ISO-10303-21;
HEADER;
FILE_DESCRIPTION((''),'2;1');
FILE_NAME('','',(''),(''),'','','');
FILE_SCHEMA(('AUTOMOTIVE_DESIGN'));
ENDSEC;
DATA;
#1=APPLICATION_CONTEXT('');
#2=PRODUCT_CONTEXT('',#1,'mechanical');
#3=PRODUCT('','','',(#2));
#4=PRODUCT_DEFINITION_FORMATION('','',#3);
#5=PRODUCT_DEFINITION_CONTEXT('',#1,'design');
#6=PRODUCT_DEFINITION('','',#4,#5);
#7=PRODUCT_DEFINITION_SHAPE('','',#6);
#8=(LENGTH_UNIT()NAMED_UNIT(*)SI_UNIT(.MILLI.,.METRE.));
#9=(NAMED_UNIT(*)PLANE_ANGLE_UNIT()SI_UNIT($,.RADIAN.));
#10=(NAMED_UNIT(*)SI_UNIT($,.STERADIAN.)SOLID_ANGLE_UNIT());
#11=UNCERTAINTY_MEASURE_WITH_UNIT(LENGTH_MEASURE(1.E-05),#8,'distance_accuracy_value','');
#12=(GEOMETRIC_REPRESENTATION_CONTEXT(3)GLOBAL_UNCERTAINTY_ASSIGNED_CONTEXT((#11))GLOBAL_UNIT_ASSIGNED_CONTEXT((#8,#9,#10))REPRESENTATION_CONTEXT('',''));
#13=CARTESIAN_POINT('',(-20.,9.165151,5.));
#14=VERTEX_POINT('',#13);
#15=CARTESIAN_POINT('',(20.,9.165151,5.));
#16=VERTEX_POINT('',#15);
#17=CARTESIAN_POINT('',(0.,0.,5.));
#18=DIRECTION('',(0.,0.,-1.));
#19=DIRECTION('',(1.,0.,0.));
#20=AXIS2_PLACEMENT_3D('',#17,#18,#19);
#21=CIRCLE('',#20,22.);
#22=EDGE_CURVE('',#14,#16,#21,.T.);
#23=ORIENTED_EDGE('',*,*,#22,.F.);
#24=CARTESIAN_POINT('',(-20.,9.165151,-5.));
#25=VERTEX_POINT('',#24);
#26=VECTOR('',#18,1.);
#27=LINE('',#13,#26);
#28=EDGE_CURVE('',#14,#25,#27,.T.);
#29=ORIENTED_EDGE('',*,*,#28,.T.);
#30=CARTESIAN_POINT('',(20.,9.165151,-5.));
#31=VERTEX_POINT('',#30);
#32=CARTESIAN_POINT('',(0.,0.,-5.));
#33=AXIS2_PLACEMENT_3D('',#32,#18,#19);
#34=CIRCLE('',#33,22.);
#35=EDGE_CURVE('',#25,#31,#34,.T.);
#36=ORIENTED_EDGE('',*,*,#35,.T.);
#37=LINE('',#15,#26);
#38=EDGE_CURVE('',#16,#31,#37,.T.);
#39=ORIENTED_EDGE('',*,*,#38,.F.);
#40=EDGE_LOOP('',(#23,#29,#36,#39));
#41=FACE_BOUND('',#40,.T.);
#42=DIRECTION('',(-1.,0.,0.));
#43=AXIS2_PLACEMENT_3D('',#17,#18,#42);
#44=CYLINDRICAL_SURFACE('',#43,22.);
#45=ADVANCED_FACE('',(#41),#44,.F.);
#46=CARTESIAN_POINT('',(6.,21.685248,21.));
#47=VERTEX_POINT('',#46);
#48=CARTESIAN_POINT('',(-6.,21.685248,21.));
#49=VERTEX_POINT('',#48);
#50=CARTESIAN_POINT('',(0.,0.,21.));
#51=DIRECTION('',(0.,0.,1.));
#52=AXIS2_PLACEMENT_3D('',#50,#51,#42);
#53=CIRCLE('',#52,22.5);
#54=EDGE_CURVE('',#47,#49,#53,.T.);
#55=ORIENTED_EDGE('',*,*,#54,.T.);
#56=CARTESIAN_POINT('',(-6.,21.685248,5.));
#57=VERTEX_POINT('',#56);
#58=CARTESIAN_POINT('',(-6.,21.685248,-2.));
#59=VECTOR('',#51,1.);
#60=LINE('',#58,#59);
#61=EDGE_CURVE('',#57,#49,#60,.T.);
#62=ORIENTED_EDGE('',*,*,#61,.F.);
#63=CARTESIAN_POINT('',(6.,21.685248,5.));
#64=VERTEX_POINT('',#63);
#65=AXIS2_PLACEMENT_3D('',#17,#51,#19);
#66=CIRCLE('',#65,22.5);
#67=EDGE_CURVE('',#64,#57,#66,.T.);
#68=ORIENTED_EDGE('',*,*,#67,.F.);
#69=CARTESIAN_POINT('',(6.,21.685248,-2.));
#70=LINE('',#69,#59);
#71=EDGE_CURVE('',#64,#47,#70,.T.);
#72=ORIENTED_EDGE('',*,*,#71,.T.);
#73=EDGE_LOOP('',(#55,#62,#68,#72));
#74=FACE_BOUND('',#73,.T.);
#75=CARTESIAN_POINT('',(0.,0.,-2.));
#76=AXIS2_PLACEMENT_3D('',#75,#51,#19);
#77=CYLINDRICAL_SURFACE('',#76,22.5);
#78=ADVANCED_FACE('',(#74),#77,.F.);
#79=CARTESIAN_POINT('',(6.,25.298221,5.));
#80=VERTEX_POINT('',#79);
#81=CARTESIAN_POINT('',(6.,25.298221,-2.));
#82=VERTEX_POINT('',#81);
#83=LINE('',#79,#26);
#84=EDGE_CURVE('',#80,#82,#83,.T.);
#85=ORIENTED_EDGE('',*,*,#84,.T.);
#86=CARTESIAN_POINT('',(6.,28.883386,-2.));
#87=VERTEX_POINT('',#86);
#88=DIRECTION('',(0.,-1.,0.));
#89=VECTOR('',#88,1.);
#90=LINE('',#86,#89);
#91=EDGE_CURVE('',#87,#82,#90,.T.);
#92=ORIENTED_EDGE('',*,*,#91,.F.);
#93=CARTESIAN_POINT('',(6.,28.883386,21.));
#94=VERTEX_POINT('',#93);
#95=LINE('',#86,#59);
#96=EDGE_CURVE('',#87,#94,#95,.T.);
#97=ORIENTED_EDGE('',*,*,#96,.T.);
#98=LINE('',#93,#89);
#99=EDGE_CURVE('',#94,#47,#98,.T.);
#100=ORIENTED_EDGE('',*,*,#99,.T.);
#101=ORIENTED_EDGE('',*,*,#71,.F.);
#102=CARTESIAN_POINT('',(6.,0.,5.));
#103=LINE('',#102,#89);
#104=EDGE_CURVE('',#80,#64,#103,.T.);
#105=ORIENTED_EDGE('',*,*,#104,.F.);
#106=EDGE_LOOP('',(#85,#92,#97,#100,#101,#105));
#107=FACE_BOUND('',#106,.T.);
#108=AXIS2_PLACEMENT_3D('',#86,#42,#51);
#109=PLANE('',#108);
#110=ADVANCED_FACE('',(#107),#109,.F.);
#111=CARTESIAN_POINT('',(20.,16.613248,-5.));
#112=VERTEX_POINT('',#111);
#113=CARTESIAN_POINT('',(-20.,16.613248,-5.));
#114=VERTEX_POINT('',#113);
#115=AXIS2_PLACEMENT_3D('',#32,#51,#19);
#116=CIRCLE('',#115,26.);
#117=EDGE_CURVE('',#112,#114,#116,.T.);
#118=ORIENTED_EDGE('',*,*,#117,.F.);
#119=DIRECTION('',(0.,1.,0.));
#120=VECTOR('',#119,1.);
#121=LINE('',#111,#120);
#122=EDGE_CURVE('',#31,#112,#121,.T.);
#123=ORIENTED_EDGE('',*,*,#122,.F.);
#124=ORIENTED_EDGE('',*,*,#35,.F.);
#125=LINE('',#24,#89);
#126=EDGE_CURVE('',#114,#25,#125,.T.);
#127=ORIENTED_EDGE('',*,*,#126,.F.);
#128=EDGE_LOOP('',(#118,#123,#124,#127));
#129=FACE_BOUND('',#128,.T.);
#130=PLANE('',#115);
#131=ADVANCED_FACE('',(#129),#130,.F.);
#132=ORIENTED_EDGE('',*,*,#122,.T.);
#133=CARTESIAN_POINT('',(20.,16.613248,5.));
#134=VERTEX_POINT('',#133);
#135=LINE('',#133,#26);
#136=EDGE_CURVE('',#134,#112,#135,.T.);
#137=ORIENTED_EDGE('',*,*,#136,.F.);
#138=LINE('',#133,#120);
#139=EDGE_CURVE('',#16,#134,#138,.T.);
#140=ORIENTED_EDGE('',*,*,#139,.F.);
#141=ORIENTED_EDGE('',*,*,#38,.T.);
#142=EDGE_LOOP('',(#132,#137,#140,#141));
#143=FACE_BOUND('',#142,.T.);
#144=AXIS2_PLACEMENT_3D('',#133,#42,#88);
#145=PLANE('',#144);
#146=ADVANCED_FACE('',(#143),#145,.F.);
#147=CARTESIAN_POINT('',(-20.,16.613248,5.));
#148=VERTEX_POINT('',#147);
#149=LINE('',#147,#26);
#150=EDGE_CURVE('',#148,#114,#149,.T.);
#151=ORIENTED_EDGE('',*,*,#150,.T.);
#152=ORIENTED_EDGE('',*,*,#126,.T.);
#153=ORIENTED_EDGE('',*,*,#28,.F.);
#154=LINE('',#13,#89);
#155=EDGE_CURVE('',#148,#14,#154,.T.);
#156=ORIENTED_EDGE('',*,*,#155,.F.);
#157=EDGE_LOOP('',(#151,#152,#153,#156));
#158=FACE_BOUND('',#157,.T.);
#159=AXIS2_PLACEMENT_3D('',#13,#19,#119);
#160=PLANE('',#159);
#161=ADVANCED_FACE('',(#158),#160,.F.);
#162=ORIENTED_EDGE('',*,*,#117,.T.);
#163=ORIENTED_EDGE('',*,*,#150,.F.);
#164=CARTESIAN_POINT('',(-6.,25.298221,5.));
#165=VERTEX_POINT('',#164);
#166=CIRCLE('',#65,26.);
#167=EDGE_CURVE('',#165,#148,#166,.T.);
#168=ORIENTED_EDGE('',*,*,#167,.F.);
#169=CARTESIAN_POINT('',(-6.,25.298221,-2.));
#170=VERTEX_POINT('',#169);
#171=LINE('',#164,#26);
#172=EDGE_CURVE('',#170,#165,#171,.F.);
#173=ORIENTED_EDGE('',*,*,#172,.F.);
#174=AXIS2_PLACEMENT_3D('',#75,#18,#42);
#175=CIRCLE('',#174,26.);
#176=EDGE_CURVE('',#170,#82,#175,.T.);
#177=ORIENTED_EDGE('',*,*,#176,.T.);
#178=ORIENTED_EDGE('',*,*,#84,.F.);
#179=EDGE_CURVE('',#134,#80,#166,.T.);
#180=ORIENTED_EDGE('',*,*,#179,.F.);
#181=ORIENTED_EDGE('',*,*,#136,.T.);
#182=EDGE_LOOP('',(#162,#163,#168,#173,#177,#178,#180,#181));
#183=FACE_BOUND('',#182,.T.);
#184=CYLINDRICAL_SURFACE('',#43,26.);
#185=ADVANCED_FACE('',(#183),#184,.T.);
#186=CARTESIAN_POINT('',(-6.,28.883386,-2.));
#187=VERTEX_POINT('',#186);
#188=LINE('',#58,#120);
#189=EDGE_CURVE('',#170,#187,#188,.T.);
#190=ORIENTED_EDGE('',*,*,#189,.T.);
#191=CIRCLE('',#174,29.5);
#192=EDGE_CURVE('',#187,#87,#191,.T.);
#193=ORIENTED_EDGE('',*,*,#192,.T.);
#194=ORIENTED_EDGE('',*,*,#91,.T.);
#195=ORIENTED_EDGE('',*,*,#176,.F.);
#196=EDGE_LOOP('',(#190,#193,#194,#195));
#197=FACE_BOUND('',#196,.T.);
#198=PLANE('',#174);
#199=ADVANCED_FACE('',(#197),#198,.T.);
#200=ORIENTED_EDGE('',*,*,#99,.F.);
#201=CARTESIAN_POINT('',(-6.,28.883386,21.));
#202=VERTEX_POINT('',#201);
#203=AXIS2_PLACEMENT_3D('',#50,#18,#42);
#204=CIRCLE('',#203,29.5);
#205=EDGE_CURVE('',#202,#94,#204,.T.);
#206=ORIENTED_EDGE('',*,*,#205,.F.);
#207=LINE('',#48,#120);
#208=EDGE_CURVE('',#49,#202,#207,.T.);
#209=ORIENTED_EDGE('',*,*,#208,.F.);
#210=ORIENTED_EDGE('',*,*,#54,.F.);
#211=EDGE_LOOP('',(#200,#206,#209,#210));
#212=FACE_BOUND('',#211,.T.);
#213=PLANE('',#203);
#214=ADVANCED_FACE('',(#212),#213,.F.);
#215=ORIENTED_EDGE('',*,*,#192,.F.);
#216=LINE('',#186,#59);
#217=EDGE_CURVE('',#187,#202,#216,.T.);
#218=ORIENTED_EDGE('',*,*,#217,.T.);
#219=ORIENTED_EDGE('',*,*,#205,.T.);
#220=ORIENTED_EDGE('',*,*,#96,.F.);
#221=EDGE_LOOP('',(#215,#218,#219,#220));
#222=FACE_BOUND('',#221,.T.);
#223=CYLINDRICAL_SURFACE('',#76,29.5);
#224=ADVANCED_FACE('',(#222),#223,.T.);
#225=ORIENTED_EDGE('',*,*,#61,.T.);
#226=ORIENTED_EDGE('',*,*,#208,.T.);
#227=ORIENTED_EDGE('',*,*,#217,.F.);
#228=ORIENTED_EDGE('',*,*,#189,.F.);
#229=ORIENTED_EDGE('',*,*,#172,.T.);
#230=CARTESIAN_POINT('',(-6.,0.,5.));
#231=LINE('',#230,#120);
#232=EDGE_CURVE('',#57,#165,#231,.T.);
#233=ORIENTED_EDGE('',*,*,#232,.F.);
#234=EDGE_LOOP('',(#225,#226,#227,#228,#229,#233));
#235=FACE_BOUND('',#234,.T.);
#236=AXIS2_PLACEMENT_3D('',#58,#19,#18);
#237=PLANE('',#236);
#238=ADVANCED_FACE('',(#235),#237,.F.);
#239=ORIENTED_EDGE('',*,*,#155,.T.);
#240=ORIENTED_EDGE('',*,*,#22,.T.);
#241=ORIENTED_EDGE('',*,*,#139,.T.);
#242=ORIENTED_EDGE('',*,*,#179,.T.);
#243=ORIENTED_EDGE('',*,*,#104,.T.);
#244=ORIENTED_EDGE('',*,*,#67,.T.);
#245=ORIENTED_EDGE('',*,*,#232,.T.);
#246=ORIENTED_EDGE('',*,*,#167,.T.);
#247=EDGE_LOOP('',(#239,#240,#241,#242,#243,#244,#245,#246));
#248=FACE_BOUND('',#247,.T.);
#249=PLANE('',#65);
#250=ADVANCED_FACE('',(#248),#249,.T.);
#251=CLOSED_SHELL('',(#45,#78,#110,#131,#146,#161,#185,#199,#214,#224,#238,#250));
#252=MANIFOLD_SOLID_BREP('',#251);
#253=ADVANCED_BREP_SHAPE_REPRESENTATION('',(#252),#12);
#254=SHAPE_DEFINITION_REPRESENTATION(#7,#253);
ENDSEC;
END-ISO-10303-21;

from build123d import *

# Parameters (mm, degrees)
EXTRUDE1_DEPTH      = 5
EXTRUDE2_DEPTH      = 7
EXTRUDE2_DEPTH_BACK = 16


with BuildPart() as part:
    # Sketch1 → Extrude1 (new, symmetric)
    with BuildSketch(Plane.XY):
        with BuildLine():
            Line((-20, 9.16515139), (-20, 16.613247726))
            ThreePointArc((-20, 16.613247726), (0, 26), (20, 16.613247726))
            Line((20, 16.613247726), (20, 9.16515139))
            ThreePointArc((20, 9.16515139), (0, 22), (-20, 9.16515139))
        make_face()
    extrude(amount=EXTRUDE1_DEPTH, both=True)

    # Sketch2 → Extrude2 (add, two sides: drawn at the far end of the back side and taken through both)
    with BuildSketch(Plane(origin=(0, 0, 5), x_dir=(-1, 0, 0), z_dir=(0, 0, -1)).offset(-EXTRUDE2_DEPTH_BACK)):
        with BuildLine():
            Line((6, 21.685248442), (6, 28.883386228))
            ThreePointArc((6, 28.883386228), (0, 29.5), (-6, 28.883386228))
            Line((-6, 28.883386228), (-6, 21.685248442))
            ThreePointArc((-6, 21.685248442), (0, 22.5), (6, 21.685248442))
        make_face()
    extrude(amount=EXTRUDE2_DEPTH + EXTRUDE2_DEPTH_BACK)


solid = part.part
